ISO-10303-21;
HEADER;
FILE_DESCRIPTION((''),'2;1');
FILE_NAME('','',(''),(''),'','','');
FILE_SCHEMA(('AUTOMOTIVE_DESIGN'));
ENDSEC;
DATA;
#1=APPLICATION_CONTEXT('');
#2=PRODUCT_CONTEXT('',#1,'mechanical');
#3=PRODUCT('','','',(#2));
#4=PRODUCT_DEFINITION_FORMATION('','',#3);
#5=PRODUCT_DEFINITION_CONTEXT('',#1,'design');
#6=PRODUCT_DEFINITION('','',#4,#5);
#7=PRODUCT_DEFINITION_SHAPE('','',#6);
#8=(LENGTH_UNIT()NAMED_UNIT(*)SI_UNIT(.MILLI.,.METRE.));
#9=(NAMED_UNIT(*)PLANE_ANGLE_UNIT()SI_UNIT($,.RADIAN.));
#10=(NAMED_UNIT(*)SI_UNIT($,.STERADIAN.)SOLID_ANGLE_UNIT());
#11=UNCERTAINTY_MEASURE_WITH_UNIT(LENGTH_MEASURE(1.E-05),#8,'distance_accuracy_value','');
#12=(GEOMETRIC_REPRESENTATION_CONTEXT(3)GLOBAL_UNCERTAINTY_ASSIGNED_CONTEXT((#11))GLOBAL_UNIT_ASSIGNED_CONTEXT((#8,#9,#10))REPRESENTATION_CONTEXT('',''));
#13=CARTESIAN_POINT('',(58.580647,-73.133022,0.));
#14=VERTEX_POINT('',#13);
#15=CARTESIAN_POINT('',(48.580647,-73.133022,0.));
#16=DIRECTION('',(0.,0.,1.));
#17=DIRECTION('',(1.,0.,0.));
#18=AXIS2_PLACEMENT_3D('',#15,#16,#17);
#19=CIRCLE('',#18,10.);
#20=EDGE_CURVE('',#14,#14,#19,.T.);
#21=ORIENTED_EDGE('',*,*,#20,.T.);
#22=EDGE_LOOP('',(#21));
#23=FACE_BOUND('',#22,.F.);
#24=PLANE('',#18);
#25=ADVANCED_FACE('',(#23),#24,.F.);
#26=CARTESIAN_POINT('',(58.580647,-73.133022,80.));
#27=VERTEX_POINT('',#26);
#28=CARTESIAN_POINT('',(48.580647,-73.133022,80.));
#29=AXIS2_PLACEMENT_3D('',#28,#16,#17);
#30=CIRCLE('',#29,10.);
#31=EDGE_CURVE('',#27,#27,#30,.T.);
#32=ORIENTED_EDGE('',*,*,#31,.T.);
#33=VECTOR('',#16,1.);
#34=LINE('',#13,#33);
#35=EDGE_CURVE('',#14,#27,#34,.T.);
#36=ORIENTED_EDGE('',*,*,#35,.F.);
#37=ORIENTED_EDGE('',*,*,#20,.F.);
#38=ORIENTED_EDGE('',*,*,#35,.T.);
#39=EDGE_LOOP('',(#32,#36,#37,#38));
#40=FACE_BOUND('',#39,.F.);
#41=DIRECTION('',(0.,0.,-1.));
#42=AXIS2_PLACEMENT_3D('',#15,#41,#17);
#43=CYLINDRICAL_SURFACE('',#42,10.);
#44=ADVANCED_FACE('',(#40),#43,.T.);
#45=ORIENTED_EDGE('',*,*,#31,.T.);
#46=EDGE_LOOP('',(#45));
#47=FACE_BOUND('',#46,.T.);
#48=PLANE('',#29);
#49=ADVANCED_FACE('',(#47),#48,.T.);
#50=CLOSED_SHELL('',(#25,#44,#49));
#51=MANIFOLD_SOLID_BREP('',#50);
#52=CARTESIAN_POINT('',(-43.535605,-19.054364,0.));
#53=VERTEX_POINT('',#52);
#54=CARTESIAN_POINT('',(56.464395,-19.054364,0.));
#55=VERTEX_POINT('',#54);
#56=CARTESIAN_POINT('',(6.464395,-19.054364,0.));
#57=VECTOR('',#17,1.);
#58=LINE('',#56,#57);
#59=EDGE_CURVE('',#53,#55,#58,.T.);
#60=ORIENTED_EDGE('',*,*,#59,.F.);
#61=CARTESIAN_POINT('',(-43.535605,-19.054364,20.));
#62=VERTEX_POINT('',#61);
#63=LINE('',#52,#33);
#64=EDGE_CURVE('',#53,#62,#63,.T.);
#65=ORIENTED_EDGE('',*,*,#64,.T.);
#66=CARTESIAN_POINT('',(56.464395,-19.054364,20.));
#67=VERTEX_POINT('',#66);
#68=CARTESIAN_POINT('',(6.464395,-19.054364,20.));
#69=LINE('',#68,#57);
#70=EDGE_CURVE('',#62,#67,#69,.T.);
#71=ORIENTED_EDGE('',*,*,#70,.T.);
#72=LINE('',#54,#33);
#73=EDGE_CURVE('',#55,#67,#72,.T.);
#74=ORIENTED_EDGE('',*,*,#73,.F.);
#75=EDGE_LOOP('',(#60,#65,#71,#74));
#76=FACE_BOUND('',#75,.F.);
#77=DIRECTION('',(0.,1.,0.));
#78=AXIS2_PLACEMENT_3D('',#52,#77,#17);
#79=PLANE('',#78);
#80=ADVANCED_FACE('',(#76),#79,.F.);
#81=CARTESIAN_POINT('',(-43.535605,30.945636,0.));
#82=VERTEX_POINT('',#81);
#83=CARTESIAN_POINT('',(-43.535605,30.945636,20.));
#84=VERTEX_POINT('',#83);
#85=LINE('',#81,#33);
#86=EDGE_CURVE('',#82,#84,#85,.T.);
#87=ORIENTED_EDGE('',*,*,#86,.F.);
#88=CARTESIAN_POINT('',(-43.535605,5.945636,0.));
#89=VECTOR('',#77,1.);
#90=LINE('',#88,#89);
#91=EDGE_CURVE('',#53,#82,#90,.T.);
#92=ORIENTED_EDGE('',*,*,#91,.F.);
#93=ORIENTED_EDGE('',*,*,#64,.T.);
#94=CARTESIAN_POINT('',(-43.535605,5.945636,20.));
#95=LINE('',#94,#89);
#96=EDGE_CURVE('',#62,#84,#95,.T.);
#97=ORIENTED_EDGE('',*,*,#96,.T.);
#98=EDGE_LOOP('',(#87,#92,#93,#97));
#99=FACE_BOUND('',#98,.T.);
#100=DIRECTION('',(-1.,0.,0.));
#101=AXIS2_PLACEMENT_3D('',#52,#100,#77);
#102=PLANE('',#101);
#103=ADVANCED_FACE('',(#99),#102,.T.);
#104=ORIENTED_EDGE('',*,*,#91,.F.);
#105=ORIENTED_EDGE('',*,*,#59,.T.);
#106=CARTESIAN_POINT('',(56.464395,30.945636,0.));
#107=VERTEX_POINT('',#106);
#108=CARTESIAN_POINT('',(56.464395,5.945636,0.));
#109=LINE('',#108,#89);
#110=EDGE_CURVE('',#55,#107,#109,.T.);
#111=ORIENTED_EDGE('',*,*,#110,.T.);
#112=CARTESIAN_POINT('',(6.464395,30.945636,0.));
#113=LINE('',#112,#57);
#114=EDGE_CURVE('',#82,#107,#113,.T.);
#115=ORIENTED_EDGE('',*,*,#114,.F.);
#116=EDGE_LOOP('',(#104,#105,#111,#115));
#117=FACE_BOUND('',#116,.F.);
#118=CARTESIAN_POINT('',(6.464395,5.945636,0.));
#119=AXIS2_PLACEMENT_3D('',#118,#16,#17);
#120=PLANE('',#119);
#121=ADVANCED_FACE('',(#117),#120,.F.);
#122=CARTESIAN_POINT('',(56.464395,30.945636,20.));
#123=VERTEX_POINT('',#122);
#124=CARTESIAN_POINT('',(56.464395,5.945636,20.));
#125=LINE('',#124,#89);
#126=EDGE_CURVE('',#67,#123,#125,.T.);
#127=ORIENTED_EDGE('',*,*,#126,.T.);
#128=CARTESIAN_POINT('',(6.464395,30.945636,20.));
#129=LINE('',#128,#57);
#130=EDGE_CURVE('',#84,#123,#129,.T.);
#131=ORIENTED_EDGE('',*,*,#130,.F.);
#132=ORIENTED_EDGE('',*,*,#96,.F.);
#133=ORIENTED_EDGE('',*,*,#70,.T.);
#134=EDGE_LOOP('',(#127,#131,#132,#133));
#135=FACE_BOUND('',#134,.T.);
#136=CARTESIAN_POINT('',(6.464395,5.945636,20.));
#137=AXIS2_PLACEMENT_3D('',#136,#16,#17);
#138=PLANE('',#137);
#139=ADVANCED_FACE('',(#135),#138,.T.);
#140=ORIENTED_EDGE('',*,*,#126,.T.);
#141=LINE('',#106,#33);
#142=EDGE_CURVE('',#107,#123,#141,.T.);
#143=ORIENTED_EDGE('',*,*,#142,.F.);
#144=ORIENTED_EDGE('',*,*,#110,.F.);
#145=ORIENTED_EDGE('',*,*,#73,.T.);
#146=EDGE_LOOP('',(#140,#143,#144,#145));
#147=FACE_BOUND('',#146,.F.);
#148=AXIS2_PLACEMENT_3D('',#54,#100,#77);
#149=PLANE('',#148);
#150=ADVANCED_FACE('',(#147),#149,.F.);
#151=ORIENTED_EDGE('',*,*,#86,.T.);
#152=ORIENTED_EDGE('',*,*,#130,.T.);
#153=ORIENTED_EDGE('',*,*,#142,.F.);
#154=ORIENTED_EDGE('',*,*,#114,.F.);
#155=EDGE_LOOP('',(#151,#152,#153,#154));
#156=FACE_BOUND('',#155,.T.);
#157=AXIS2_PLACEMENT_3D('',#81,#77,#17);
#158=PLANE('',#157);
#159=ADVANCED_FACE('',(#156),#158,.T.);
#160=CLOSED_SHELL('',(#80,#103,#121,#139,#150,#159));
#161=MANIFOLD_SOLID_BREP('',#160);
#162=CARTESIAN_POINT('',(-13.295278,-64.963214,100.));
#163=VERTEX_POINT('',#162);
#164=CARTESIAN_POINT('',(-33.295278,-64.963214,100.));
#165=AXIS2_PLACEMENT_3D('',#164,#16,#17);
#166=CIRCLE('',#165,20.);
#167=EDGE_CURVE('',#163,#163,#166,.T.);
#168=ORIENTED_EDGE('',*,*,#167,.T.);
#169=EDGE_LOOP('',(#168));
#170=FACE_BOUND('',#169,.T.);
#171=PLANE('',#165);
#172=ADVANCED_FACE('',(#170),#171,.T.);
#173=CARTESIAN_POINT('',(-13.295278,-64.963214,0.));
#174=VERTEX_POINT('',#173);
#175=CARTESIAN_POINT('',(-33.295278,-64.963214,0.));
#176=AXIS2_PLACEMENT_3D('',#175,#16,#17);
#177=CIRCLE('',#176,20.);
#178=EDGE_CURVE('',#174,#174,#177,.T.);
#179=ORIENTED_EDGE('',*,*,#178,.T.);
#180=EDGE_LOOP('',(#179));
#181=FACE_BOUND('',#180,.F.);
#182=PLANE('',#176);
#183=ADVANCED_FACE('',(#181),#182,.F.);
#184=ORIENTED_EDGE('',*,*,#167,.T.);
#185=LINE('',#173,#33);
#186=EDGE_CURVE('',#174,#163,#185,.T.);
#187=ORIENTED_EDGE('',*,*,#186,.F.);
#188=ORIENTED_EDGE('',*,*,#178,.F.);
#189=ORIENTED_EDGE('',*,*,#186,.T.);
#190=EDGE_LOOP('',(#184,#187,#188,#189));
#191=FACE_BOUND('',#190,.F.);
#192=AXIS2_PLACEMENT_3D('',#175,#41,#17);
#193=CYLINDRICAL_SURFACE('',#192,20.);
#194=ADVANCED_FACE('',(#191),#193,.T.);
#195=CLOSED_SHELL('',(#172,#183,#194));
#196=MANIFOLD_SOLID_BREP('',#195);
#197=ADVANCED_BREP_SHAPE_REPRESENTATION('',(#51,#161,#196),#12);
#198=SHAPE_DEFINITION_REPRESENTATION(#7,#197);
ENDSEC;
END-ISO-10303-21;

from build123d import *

# Parameters (mm, degrees)
F0_W     = 100
F0_H     = 50
F1_DEPTH = 20
F0_R     = 10
F2_DEPTH = 80
F0_R_2   = 20
F3_DEPTH = 100


with BuildPart() as f1:
    # F0 (on Top) → F1 (new body)
    with BuildSketch(Plane.XY):
        with Locations((6.464395, 5.945636)):
            Rectangle(F0_W, F0_H)
    extrude(amount=F1_DEPTH)


with BuildPart() as f2:
    # F0 (on Top) → F2 (new body)
    with BuildSketch(Plane.XY):
        with Locations((48.580647, -73.133022)):
            Circle(F0_R)
    extrude(amount=F2_DEPTH)


with BuildPart() as f3:
    # F0 (on Top) → F3 (new body)
    with BuildSketch(Plane.XY):
        with Locations((-33.295278, -64.963214)):
            Circle(F0_R_2)
    extrude(amount=F3_DEPTH)


solid = Compound([f1.part, f2.part, f3.part])
